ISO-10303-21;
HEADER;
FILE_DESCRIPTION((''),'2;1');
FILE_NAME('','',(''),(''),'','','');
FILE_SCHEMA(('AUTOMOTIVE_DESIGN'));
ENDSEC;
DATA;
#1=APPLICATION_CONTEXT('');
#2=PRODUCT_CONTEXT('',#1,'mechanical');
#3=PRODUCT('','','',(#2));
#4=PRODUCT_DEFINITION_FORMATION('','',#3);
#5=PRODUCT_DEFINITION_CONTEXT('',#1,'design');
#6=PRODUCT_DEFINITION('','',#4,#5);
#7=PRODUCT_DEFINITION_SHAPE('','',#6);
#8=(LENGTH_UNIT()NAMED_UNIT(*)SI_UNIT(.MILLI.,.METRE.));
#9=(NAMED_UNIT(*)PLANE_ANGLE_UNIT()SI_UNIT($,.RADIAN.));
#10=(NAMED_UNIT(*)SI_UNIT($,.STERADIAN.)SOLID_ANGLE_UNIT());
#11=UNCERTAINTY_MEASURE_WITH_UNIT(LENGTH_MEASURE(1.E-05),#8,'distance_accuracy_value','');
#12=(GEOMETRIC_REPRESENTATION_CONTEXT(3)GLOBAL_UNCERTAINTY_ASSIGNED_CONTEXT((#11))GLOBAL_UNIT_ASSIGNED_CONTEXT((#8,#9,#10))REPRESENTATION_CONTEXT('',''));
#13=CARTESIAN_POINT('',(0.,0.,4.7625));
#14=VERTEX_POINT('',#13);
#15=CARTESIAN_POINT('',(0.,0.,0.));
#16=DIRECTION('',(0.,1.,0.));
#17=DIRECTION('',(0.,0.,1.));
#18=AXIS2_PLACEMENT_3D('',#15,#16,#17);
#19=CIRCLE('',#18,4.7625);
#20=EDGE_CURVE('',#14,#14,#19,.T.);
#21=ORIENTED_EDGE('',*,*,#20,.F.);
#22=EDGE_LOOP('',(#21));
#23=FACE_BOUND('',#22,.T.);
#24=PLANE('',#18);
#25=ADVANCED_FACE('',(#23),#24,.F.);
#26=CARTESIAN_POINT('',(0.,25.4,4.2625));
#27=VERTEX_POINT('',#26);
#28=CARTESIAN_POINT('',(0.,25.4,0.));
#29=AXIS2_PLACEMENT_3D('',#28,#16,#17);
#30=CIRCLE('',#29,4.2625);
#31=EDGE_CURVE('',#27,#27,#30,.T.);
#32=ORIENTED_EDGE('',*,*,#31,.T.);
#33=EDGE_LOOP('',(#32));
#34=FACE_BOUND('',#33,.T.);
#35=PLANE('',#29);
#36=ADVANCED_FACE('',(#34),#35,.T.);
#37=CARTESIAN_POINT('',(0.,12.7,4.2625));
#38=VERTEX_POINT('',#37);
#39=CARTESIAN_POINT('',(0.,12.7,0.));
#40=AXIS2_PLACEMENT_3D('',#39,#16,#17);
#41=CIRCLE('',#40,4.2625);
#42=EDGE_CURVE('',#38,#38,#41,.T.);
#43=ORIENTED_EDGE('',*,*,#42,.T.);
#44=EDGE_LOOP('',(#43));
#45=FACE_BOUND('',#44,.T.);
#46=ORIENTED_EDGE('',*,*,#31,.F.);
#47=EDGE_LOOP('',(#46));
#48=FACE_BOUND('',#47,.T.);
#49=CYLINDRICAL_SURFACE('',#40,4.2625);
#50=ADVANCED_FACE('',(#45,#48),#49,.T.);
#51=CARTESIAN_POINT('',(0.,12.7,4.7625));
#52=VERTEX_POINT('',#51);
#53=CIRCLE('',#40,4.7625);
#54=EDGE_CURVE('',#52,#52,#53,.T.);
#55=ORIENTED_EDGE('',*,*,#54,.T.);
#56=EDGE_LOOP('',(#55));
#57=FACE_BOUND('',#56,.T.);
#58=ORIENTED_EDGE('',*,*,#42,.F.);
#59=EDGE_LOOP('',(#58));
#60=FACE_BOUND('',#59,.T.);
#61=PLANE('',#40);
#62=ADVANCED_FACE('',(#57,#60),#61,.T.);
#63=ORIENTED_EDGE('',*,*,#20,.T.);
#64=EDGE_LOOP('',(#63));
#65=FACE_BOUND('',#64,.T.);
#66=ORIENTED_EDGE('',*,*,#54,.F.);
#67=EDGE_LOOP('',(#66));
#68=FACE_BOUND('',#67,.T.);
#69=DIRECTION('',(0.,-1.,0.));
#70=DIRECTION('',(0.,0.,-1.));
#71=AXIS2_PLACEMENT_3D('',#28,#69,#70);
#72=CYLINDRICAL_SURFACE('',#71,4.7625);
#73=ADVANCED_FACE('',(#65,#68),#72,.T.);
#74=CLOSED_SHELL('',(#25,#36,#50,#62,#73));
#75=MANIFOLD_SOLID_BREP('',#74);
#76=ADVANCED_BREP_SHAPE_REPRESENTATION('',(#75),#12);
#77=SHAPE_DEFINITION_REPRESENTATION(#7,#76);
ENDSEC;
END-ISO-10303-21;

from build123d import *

# Parameters (mm, degrees)
SKETCH1_R           = 4.7625
BOSS_EXTRUDE1_DEPTH = 25.4
SKETCH2_R           = 6.303804675
SKETCH2_R_2         = 4.2625
CUT_EXTRUDE1_DEPTH  = 12.7


with BuildPart() as part:
    # Sketch1 → Boss-Extrude1 (new body)
    with BuildSketch(Plane(origin=(0, 0, 0), x_dir=(1, 0, 0), z_dir=(0, 1, 0))):
        with Locations(Location((0, 0, 0), (0, 0, 270))):
            Circle(SKETCH1_R)
    extrude(amount=BOSS_EXTRUDE1_DEPTH)

    # Sketch2 → Cut-Extrude1 (cut)
    with BuildSketch(Plane(origin=(0, 25.4, 0), x_dir=(1, 0, 0), z_dir=(0, 1, 0))):
        Circle(SKETCH2_R)
        with Locations(Location((0, 0, 0), (0, 0, 270))):
            Circle(SKETCH2_R_2, mode=Mode.SUBTRACT)
    extrude(amount=-CUT_EXTRUDE1_DEPTH, mode=Mode.SUBTRACT)


solid = part.part
